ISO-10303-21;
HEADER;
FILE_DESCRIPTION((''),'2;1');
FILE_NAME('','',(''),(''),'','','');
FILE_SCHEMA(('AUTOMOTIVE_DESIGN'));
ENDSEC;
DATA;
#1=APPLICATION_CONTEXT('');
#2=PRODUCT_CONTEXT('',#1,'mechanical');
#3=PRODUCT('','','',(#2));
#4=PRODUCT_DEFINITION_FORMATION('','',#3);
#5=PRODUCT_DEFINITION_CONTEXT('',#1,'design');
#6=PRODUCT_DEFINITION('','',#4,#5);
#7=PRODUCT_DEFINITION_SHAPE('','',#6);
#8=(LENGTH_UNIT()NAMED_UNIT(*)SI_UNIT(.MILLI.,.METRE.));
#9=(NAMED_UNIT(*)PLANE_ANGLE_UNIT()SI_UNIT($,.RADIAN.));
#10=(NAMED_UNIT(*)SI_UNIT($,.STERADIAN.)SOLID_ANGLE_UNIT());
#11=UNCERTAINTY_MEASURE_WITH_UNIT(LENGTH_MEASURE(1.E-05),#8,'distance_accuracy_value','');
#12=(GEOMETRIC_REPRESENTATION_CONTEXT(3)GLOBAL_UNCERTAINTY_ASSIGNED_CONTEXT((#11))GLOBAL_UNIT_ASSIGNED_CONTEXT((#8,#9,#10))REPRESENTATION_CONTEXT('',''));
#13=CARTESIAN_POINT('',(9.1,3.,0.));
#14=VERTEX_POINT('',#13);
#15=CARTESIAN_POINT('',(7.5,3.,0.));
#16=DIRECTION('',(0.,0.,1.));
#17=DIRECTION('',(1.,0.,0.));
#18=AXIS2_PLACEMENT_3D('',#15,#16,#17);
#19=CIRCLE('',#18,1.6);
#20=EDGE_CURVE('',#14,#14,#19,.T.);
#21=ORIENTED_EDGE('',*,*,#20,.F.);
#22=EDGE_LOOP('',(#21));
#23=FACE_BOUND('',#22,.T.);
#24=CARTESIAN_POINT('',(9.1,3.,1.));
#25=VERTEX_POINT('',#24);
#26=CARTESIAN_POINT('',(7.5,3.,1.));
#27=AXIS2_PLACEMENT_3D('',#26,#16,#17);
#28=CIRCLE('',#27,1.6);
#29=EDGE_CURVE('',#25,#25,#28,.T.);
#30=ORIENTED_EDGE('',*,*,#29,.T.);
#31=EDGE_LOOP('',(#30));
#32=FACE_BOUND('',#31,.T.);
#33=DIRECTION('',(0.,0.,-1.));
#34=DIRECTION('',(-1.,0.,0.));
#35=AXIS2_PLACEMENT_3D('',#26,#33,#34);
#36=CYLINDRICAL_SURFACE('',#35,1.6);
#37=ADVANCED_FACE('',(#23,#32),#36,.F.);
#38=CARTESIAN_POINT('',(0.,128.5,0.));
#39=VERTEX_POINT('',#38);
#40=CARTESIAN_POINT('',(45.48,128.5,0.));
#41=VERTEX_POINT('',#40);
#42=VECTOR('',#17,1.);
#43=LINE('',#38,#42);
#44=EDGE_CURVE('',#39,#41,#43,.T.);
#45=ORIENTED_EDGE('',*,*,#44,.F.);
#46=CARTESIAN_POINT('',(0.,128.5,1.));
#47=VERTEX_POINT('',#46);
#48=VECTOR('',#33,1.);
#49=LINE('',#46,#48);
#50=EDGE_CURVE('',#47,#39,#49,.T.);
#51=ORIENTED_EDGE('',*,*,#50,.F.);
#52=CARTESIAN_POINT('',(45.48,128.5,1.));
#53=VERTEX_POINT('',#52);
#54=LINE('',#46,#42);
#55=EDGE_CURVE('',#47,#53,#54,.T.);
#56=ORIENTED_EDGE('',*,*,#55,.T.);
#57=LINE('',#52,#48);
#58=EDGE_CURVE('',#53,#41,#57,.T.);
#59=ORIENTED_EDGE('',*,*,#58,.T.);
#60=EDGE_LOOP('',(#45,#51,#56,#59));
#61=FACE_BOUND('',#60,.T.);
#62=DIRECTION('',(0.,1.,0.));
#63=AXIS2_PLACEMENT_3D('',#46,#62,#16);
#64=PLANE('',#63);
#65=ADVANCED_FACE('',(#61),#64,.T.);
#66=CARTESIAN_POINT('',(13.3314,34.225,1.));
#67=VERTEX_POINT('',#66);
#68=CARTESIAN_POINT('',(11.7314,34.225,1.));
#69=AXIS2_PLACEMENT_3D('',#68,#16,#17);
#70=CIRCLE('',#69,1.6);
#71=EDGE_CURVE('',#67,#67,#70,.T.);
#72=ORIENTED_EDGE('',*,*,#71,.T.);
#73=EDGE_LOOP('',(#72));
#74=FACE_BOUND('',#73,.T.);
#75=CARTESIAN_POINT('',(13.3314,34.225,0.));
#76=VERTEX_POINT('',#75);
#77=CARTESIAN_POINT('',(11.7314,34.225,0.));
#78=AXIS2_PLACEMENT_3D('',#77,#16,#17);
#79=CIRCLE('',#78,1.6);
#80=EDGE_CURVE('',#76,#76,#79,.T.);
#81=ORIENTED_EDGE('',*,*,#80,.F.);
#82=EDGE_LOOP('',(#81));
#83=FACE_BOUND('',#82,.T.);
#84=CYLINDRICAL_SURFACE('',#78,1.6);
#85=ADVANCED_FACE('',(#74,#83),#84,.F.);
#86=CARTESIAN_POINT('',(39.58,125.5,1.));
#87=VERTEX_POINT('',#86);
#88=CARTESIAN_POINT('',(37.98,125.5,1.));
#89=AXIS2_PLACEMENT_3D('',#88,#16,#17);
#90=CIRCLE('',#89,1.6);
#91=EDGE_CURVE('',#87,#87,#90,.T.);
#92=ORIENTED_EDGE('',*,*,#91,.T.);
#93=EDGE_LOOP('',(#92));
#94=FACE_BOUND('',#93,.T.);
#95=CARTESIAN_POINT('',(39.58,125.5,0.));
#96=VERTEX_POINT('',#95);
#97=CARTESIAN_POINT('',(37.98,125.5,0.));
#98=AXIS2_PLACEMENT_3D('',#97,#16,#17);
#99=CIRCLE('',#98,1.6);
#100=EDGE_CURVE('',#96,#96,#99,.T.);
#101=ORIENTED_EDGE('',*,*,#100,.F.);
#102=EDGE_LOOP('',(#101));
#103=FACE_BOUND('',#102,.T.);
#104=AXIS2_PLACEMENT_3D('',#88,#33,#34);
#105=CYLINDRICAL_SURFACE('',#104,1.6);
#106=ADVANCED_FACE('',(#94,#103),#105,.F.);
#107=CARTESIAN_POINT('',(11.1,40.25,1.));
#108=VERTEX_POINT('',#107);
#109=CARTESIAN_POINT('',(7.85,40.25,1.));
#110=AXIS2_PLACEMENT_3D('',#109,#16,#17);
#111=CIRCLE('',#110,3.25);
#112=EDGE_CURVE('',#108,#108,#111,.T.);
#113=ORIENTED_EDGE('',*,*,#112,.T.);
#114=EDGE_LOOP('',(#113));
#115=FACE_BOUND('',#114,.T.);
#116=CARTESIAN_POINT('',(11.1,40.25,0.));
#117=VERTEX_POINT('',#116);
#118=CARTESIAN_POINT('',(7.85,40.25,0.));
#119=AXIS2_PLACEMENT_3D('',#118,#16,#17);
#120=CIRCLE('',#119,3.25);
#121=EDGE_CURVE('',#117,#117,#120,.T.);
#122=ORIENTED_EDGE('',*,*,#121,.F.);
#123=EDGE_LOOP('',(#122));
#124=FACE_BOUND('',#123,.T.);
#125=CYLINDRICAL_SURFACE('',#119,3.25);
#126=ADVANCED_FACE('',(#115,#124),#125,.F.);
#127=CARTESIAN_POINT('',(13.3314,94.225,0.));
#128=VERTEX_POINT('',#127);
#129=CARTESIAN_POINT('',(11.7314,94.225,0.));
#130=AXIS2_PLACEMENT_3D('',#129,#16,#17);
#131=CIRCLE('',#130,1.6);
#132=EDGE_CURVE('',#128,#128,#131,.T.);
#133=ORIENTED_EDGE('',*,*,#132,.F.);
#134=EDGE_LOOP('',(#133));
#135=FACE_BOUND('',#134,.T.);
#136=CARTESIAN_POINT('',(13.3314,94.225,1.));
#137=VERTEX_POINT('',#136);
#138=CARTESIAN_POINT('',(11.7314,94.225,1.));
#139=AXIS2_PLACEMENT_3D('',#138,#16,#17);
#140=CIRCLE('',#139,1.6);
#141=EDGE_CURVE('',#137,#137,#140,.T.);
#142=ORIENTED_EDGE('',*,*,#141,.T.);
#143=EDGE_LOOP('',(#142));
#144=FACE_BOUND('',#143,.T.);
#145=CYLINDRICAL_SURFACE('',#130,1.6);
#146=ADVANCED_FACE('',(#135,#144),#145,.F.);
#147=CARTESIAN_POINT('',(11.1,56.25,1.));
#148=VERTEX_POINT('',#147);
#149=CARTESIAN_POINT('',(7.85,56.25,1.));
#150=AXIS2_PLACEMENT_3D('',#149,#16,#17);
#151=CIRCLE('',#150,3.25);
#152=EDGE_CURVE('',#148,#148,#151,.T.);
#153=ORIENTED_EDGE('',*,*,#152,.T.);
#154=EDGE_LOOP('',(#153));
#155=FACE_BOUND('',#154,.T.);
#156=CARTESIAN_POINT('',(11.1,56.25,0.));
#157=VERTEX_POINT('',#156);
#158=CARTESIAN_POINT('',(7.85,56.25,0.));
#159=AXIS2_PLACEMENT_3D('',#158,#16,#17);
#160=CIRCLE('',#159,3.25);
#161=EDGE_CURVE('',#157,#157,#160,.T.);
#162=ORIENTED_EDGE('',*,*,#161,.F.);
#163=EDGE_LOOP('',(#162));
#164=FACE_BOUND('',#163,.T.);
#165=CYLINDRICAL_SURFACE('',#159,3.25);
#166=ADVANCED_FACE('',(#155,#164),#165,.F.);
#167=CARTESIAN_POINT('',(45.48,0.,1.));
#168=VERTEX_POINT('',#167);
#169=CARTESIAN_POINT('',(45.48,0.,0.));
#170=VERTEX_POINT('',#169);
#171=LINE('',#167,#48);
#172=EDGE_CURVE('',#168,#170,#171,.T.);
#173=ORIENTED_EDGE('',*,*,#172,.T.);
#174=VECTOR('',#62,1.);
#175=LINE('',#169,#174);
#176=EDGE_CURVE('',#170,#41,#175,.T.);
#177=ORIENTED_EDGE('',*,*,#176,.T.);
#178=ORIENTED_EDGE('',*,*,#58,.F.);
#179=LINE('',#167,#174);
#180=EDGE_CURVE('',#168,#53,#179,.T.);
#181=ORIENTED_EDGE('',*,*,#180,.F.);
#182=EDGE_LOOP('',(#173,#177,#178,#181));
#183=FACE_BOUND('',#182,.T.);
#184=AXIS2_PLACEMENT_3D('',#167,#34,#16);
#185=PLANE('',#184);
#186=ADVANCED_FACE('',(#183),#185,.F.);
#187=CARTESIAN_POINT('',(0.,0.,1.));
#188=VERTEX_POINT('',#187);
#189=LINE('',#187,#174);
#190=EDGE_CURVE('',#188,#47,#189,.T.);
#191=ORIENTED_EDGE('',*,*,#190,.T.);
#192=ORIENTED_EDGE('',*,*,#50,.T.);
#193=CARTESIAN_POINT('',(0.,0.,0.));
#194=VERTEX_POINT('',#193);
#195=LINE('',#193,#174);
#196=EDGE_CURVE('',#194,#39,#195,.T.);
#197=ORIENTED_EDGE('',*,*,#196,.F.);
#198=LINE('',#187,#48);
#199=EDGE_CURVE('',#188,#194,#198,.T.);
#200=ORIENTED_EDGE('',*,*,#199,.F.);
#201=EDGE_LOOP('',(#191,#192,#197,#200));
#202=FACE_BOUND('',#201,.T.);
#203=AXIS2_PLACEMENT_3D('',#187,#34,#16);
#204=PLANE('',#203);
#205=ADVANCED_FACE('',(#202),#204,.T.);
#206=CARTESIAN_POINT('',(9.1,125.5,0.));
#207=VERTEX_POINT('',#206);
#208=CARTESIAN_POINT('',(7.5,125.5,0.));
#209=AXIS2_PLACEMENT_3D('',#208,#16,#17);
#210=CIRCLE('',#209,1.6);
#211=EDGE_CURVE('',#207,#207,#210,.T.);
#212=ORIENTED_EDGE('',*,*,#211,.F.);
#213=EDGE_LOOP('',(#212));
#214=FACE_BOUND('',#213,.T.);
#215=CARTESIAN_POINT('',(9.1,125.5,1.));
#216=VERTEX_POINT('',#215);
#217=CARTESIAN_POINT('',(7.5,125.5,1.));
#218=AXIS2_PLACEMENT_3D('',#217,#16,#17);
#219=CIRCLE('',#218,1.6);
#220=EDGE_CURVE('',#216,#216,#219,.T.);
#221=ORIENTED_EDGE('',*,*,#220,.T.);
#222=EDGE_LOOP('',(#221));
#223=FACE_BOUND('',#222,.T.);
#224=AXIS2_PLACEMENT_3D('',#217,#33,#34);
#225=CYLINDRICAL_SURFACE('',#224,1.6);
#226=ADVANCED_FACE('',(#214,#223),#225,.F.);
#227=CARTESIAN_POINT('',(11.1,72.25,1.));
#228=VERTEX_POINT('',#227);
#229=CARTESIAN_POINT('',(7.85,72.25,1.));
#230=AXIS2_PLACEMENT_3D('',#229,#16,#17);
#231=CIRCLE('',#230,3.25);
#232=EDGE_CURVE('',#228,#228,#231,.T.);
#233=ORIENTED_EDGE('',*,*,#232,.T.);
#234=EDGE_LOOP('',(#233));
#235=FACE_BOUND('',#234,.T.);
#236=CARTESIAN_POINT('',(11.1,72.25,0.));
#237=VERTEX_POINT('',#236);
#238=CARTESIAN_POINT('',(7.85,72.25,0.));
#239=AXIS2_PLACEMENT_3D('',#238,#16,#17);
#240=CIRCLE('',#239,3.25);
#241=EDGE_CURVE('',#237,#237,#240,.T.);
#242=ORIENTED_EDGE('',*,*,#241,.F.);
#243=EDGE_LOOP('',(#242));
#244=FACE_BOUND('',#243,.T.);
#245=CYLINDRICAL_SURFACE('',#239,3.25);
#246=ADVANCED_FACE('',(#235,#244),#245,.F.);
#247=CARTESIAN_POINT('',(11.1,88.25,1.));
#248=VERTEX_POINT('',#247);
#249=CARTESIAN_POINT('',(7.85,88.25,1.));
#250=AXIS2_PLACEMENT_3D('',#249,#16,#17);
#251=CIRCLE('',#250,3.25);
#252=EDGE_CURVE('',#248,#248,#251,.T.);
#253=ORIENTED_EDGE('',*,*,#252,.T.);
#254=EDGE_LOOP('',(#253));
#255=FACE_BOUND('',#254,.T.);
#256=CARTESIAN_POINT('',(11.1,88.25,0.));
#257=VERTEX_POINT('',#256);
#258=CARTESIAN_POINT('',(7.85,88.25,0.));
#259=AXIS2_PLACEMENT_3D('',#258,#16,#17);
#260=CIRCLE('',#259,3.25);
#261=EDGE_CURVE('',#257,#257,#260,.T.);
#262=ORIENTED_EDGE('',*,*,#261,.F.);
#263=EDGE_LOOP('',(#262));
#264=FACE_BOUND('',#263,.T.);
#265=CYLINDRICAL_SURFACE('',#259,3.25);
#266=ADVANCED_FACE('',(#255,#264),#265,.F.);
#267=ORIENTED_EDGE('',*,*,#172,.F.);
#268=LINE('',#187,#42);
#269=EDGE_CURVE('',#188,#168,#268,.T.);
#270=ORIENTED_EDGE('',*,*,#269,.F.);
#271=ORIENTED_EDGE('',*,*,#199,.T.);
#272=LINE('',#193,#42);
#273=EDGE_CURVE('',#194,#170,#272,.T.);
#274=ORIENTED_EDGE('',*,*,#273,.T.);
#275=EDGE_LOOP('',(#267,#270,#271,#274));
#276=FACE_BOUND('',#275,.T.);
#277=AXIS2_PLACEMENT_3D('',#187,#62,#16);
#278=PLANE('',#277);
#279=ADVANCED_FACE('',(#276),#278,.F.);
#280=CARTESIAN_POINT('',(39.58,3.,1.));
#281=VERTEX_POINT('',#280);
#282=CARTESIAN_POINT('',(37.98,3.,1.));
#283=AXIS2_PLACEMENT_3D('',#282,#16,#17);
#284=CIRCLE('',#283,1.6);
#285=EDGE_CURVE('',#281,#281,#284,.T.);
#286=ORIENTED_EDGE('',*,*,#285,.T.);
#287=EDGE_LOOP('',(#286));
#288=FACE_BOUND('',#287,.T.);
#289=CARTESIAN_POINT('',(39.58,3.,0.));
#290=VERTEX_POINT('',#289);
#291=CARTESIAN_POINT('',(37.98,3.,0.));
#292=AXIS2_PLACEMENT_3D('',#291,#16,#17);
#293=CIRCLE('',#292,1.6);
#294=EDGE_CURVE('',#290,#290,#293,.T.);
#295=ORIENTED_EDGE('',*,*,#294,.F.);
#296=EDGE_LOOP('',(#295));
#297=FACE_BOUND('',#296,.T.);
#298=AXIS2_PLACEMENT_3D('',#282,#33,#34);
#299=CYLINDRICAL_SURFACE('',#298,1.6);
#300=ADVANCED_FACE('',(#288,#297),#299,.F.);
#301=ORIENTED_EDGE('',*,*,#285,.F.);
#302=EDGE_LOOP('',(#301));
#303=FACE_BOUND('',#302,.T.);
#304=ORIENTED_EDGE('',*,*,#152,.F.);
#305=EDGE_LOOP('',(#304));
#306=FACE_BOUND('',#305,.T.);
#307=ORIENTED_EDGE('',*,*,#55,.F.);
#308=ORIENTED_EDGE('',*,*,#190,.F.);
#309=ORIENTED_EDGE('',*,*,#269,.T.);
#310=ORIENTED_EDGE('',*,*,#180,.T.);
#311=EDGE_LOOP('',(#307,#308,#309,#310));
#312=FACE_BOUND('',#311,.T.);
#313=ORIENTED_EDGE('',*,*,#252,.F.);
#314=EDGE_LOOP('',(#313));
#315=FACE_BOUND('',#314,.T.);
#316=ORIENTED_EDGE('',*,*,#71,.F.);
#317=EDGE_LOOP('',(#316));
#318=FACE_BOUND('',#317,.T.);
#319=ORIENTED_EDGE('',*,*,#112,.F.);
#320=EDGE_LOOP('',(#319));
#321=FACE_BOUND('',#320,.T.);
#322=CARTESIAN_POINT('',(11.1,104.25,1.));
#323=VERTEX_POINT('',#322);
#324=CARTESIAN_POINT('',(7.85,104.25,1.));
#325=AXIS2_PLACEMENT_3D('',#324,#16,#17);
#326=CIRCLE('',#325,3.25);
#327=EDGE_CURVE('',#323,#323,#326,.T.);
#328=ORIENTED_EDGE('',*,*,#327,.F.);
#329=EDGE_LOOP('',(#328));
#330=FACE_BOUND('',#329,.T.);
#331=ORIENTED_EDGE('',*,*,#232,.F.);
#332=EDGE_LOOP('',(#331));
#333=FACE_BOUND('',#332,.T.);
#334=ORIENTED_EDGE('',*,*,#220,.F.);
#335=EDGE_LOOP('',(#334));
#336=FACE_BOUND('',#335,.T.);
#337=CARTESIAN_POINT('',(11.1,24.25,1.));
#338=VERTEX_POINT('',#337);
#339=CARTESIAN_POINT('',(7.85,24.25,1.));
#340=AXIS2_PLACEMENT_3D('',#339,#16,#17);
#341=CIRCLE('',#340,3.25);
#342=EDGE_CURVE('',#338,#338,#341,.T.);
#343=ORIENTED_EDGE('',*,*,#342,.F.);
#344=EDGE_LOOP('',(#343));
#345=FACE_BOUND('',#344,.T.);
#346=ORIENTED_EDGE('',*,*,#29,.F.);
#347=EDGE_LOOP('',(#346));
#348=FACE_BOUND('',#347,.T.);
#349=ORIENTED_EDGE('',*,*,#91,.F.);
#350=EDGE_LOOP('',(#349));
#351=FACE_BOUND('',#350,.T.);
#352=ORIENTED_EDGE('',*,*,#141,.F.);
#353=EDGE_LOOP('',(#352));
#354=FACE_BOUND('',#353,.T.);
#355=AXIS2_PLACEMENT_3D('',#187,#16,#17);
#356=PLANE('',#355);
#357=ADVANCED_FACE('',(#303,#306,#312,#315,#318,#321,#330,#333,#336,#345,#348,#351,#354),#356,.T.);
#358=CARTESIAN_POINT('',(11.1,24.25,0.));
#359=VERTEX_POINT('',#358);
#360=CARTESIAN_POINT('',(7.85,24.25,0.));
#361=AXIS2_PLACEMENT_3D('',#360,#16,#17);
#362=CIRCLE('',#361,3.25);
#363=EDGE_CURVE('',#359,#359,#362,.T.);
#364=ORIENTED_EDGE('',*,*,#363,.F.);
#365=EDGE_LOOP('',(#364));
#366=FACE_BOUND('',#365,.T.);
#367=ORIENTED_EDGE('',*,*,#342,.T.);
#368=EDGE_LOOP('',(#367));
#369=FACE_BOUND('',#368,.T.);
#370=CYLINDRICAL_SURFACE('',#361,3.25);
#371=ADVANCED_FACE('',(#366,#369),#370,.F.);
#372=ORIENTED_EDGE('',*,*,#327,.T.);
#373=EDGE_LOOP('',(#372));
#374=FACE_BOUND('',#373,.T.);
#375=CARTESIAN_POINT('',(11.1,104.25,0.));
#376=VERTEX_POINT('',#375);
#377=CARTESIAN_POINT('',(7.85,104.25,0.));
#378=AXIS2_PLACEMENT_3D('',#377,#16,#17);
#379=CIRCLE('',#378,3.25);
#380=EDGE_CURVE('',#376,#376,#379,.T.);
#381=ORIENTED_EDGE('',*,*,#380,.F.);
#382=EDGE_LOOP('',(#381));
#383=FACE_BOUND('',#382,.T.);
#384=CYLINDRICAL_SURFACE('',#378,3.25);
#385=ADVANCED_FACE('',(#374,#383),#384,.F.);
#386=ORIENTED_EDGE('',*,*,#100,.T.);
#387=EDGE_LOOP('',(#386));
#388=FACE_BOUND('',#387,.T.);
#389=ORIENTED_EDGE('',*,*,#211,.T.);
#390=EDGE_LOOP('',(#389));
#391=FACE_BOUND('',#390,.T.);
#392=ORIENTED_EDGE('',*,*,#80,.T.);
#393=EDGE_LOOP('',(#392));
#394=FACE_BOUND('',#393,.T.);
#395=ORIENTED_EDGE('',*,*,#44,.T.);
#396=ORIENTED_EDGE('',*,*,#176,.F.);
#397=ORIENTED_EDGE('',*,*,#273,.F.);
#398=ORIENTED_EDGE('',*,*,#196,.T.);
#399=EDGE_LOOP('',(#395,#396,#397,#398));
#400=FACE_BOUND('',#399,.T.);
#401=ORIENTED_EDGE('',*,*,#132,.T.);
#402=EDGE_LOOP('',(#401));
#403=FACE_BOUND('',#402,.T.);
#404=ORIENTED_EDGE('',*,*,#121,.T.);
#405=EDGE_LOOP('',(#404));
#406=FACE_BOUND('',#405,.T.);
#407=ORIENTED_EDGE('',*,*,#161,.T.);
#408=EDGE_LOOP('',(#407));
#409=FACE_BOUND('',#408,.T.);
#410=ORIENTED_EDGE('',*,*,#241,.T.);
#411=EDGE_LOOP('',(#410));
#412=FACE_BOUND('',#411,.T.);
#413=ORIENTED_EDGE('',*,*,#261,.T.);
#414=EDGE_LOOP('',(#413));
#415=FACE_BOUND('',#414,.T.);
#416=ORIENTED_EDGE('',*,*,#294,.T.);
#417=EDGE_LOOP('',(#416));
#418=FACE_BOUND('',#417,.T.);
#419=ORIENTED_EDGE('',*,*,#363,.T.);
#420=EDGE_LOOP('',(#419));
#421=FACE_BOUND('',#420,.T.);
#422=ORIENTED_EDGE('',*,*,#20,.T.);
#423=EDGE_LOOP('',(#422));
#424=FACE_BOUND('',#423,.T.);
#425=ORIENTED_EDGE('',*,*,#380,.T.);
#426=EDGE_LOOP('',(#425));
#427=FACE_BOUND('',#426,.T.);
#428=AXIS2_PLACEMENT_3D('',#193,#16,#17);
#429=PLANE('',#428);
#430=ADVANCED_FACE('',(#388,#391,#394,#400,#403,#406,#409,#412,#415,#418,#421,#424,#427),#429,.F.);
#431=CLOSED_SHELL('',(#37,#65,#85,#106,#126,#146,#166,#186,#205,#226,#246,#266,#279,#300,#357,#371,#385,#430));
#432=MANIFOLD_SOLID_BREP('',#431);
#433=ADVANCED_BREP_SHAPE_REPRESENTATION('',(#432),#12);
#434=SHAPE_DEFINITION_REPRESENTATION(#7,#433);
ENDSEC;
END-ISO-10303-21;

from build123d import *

# Parameters (mm, degrees)
SKETCH2_W                        = 45.48
SKETCH2_H                        = 128.5
SKETCH2_R                        = 1.6
BOSS_EXTRUDE1_DEPTH              = 1
SMA_CUTS_DEPTH                   = 137.314637512
SMA_CUTS_DEPTH_BACK              = 137.314637512
SKETCH3_R                        = 3.25
MOUNTING_BRACKET_CUTS_DEPTH      = 137.314637512
MOUNTING_BRACKET_CUTS_DEPTH_BACK = 137.314637512
SKETCH4_R                        = 1.6


with BuildPart() as part:
    # Sketch2 → Boss-Extrude1 (new body)
    with BuildSketch(Plane.XY):
        with Locations((22.74, 64.25)):
            Rectangle(SKETCH2_W, SKETCH2_H)
        with Locations((7.5, 3)):
            Circle(SKETCH2_R, mode=Mode.SUBTRACT)
        with Locations((37.98, 3)):
            Circle(SKETCH2_R, mode=Mode.SUBTRACT)
        with Locations((37.98, 125.5)):
            Circle(SKETCH2_R, mode=Mode.SUBTRACT)
        with Locations((7.5, 125.5)):
            Circle(SKETCH2_R, mode=Mode.SUBTRACT)
    extrude(amount=BOSS_EXTRUDE1_DEPTH)

    # Sketch3 → sma_cuts (cut, two sides: drawn at the far end of the back side and taken through both)
    with BuildSketch(Plane.XY.offset(1).offset(-SMA_CUTS_DEPTH_BACK)):
        with Locations((7.85, 104.25)):
            Circle(SKETCH3_R)
        with Locations((7.85, 88.25)):
            Circle(SKETCH3_R)
        with Locations((7.85, 72.25)):
            Circle(SKETCH3_R)
        with Locations((7.85, 56.25)):
            Circle(SKETCH3_R)
        with Locations((7.85, 40.25)):
            Circle(SKETCH3_R)
        with Locations((7.85, 24.25)):
            Circle(SKETCH3_R)
    extrude(amount=SMA_CUTS_DEPTH + SMA_CUTS_DEPTH_BACK, mode=Mode.SUBTRACT)

    # Sketch4 → mounting_bracket_cuts (cut, two sides: drawn at the far end of the back side and taken through both)
    with BuildSketch(Plane.XY.offset(1).offset(-MOUNTING_BRACKET_CUTS_DEPTH_BACK)):
        with Locations((11.7314, 94.225)):
            Circle(SKETCH4_R)
        with Locations((11.7314, 34.225)):
            Circle(SKETCH4_R)
    extrude(amount=MOUNTING_BRACKET_CUTS_DEPTH + MOUNTING_BRACKET_CUTS_DEPTH_BACK, mode=Mode.SUBTRACT)


solid = part.part
